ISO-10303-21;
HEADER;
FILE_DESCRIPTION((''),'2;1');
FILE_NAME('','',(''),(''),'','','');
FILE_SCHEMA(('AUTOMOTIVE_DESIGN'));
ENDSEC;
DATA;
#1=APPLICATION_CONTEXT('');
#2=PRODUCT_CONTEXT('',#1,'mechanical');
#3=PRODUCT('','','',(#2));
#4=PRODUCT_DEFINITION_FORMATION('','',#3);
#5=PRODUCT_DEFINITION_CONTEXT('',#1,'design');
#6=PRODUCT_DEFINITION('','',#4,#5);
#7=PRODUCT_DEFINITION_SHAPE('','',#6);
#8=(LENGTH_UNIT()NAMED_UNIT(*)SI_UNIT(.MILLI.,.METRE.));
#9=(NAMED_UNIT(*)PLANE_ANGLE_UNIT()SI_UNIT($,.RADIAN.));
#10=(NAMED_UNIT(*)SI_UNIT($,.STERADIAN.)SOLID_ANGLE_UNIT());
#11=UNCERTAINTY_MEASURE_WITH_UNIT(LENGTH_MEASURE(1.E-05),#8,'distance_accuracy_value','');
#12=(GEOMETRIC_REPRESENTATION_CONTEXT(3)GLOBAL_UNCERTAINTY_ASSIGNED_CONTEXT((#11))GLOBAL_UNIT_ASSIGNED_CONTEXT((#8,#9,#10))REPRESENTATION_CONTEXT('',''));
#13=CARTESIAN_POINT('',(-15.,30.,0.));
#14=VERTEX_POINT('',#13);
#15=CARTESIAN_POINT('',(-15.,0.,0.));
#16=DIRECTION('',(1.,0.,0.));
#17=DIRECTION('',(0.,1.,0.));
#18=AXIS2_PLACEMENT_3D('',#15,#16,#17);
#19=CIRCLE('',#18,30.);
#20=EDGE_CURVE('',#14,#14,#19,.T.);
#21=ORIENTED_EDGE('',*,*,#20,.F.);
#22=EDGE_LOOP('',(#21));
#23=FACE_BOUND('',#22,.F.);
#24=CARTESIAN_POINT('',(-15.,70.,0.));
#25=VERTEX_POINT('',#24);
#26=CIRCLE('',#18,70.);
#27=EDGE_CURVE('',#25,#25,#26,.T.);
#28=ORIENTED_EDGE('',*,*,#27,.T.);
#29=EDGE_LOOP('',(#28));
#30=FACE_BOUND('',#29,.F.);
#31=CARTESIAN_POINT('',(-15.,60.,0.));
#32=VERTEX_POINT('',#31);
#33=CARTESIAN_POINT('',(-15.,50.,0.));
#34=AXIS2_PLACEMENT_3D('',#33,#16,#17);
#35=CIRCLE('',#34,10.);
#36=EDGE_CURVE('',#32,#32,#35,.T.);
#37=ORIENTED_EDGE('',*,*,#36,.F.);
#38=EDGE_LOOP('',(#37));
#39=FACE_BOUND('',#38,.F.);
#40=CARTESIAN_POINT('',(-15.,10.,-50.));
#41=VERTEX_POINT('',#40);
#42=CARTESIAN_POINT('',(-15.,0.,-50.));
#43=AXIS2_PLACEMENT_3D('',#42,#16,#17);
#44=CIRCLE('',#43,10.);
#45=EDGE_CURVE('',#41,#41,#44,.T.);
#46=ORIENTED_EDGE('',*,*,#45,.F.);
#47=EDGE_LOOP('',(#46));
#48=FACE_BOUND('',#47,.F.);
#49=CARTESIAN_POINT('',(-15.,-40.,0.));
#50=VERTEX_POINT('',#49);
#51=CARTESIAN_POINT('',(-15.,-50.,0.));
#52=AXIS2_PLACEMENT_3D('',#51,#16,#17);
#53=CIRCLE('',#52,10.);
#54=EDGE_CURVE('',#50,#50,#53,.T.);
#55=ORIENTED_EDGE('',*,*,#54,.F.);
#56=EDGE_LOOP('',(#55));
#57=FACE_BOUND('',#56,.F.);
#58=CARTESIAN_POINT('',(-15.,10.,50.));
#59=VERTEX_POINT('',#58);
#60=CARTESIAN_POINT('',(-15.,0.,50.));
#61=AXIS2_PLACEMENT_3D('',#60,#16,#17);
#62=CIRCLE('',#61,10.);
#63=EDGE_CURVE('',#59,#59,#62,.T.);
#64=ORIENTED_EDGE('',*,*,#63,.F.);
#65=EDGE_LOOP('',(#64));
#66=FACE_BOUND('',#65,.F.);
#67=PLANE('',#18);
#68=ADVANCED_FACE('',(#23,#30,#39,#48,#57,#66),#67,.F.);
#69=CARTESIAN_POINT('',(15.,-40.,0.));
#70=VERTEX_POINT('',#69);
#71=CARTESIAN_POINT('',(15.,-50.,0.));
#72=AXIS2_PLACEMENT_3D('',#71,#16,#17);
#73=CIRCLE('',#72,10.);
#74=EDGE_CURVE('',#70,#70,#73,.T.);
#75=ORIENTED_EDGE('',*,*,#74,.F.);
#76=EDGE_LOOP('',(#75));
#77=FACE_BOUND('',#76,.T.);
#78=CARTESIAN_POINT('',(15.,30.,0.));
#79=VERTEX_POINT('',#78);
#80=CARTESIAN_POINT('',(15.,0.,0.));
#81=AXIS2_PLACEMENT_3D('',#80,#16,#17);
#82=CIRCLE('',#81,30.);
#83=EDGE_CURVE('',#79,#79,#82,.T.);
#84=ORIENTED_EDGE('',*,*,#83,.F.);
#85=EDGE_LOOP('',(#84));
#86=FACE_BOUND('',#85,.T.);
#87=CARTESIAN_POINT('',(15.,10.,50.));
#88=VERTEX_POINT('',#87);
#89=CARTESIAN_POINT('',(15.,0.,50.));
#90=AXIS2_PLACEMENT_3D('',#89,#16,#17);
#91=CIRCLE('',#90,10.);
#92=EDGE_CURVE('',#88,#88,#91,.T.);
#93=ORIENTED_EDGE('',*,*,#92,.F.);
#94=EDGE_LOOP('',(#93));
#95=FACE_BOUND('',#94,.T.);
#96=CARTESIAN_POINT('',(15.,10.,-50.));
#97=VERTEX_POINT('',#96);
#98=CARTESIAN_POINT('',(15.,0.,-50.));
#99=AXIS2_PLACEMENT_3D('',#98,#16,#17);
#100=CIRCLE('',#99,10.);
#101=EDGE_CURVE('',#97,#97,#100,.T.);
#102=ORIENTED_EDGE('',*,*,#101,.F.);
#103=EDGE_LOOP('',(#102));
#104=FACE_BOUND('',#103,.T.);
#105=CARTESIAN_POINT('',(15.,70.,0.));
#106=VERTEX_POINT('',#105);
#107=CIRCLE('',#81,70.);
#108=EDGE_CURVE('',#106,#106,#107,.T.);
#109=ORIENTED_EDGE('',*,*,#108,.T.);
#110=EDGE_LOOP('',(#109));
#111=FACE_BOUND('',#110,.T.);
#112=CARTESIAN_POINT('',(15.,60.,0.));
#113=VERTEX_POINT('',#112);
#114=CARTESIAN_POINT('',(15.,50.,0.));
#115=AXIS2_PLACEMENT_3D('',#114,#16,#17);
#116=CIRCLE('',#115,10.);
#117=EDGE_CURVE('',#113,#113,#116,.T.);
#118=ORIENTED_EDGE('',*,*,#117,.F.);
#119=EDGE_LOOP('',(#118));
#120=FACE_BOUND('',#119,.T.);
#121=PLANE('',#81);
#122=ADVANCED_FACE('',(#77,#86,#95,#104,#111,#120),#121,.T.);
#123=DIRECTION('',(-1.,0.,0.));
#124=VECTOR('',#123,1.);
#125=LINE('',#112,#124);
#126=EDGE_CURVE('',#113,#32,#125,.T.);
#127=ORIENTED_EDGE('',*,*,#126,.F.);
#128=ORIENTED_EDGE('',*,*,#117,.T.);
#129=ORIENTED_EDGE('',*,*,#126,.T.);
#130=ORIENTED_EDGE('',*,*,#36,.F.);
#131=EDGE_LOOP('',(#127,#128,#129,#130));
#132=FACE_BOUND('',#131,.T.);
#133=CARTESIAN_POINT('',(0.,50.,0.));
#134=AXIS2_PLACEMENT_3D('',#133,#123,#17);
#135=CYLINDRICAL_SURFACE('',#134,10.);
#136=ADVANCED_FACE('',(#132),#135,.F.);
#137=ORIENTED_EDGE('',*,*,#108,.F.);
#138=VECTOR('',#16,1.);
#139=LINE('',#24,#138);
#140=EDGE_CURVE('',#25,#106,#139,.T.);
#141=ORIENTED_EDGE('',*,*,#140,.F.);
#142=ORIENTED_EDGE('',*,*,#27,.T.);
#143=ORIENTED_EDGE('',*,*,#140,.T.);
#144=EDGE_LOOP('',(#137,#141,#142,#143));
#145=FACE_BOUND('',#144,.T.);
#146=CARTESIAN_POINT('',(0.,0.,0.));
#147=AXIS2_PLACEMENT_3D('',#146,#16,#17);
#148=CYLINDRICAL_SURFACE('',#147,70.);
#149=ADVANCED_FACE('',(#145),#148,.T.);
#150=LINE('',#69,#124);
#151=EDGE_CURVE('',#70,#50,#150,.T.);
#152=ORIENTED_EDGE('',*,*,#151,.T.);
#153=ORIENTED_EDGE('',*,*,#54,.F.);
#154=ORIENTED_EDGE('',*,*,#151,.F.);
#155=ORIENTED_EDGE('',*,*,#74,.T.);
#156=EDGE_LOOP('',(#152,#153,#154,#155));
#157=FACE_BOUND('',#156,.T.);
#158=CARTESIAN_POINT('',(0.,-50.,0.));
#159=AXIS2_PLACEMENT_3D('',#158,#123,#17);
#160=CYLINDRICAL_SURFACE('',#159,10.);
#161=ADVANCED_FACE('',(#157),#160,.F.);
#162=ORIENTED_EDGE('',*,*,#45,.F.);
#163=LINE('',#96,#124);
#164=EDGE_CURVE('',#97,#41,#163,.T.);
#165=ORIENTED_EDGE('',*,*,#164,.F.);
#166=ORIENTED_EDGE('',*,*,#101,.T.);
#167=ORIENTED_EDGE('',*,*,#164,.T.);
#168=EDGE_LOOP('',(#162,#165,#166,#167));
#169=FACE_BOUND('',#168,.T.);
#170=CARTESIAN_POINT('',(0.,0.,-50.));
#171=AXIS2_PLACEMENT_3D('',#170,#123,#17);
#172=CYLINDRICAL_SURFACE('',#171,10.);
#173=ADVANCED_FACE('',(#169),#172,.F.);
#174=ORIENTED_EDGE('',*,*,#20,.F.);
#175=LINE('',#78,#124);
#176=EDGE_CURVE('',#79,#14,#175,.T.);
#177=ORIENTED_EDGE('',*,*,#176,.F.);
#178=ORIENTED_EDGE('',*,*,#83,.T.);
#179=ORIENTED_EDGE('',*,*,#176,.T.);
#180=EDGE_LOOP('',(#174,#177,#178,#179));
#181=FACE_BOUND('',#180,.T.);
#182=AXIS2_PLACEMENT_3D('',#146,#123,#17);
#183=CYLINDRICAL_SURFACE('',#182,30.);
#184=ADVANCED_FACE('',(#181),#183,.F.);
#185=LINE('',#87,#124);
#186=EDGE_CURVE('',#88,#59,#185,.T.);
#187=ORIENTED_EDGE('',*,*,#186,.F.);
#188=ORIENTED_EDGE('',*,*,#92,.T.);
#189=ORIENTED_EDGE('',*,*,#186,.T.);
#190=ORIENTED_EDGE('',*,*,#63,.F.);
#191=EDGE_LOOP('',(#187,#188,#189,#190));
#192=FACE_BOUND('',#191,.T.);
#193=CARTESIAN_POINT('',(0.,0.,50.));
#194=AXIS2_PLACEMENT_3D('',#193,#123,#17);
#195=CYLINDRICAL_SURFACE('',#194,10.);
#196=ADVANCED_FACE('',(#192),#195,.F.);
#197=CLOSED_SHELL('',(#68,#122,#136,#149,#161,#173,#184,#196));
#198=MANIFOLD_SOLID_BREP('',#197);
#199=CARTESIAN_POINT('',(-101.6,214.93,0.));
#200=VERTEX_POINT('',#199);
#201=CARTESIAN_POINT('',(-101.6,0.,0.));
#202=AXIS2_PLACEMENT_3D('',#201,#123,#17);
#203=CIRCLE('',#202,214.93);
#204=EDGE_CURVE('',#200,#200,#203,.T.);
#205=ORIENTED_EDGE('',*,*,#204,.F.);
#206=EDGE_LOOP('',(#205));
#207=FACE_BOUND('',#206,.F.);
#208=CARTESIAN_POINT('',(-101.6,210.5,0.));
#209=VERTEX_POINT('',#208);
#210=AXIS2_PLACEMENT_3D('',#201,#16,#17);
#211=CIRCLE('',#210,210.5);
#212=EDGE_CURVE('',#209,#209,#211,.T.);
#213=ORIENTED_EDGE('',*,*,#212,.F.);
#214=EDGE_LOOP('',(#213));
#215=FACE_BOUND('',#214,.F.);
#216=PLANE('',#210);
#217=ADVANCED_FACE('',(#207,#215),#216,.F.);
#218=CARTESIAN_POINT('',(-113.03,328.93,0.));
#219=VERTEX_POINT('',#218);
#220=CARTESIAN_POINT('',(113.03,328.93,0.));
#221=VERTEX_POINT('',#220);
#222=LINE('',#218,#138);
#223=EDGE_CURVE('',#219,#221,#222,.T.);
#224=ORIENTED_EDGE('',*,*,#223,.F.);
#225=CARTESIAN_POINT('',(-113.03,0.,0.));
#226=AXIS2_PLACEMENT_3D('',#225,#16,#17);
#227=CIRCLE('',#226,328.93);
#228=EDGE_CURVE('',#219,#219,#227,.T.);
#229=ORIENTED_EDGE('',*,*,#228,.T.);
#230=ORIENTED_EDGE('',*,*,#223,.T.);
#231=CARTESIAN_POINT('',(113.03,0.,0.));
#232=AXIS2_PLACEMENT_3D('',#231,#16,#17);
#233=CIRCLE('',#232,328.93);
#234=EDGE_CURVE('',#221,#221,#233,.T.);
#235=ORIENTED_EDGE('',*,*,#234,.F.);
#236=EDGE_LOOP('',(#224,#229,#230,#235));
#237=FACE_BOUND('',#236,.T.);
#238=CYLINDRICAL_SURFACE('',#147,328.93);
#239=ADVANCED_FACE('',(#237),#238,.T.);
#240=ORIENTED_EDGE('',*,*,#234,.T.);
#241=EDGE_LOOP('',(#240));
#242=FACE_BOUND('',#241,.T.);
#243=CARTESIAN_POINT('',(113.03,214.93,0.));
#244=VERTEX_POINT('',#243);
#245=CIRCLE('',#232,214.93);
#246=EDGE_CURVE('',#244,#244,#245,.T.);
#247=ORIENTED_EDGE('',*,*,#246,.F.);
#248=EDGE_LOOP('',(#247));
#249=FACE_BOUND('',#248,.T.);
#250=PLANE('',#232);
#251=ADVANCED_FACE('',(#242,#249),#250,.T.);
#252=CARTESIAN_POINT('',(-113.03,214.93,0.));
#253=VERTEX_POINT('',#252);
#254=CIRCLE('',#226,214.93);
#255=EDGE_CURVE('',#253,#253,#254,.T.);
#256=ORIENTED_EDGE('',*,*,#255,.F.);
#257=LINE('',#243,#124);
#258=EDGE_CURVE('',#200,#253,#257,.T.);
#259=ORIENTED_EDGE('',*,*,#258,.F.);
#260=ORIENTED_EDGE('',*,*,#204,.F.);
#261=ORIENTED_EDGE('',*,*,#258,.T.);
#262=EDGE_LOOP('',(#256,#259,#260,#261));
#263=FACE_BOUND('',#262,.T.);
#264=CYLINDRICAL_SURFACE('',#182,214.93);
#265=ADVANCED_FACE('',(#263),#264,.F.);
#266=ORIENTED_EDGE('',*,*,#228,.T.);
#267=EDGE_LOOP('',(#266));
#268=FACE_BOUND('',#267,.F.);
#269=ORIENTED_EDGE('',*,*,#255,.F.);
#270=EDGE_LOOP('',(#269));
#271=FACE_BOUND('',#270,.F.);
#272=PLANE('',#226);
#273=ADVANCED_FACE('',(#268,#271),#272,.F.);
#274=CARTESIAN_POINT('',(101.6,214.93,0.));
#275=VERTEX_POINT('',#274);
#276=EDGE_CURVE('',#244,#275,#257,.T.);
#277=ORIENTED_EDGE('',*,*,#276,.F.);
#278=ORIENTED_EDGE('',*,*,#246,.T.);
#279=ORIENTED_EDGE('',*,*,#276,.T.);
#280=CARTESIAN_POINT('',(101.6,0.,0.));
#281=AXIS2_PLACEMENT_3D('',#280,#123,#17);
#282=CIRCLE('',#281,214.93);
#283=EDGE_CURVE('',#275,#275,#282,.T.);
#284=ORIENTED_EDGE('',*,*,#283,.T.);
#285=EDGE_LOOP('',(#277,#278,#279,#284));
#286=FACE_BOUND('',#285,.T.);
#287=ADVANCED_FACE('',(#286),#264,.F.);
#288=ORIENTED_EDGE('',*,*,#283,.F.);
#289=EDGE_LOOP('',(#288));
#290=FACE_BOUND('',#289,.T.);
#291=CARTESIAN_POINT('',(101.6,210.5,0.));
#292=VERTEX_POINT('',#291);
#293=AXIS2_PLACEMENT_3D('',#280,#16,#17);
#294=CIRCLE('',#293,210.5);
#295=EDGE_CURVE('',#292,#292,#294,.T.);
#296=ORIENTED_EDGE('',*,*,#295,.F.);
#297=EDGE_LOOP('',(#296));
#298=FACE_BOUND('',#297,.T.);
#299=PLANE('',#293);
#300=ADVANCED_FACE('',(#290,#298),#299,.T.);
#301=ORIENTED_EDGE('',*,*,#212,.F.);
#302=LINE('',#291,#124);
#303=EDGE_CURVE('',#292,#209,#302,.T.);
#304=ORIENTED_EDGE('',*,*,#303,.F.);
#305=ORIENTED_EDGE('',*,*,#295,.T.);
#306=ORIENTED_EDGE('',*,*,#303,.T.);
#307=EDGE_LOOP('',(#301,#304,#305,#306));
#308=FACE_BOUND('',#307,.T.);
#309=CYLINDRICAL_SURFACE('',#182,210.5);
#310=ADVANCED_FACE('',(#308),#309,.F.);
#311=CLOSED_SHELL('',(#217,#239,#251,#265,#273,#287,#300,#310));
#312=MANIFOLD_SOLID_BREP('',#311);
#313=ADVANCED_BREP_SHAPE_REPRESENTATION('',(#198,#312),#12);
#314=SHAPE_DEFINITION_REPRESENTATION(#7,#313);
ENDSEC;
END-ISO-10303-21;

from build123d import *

# Parameters (mm, degrees)
F0_R     = 215.5
F0_R_2   = 210.5
F1_DEPTH = 101.6
F2_R     = 70
F2_R_2   = 10
F2_R_3   = 30
F3_DEPTH = 15
F4_R     = 328.93
F4_R_2   = 214.93
F5_DEPTH = 113.03


with BuildPart() as f1:
    # F0 (on Right) → F1 (new body, symmetric)
    with BuildSketch(Plane.YZ):
        Circle(F0_R)
        Circle(F0_R_2, mode=Mode.SUBTRACT)
    extrude(amount=F1_DEPTH, both=True)

    # F4 (on Right) → F5 (join, symmetric)
    with BuildSketch(Plane.YZ):
        Circle(F4_R)
        Circle(F4_R_2, mode=Mode.SUBTRACT)
    extrude(amount=F5_DEPTH, both=True)


with BuildPart() as f3:
    # F2 (on Right) → F3 (new body, symmetric)
    with BuildSketch(Plane.YZ):
        Circle(F2_R)
        with Locations((0, -50)):
            Circle(F2_R_2, mode=Mode.SUBTRACT)
        with Locations((-50, 0)):
            Circle(F2_R_2, mode=Mode.SUBTRACT)
        Circle(F2_R_3, mode=Mode.SUBTRACT)
        with Locations((50, 0)):
            Circle(F2_R_2, mode=Mode.SUBTRACT)
        with Locations((0, 50)):
            Circle(F2_R_2, mode=Mode.SUBTRACT)
    extrude(amount=F3_DEPTH, both=True)


solid = Compound([f1.part, f3.part])
